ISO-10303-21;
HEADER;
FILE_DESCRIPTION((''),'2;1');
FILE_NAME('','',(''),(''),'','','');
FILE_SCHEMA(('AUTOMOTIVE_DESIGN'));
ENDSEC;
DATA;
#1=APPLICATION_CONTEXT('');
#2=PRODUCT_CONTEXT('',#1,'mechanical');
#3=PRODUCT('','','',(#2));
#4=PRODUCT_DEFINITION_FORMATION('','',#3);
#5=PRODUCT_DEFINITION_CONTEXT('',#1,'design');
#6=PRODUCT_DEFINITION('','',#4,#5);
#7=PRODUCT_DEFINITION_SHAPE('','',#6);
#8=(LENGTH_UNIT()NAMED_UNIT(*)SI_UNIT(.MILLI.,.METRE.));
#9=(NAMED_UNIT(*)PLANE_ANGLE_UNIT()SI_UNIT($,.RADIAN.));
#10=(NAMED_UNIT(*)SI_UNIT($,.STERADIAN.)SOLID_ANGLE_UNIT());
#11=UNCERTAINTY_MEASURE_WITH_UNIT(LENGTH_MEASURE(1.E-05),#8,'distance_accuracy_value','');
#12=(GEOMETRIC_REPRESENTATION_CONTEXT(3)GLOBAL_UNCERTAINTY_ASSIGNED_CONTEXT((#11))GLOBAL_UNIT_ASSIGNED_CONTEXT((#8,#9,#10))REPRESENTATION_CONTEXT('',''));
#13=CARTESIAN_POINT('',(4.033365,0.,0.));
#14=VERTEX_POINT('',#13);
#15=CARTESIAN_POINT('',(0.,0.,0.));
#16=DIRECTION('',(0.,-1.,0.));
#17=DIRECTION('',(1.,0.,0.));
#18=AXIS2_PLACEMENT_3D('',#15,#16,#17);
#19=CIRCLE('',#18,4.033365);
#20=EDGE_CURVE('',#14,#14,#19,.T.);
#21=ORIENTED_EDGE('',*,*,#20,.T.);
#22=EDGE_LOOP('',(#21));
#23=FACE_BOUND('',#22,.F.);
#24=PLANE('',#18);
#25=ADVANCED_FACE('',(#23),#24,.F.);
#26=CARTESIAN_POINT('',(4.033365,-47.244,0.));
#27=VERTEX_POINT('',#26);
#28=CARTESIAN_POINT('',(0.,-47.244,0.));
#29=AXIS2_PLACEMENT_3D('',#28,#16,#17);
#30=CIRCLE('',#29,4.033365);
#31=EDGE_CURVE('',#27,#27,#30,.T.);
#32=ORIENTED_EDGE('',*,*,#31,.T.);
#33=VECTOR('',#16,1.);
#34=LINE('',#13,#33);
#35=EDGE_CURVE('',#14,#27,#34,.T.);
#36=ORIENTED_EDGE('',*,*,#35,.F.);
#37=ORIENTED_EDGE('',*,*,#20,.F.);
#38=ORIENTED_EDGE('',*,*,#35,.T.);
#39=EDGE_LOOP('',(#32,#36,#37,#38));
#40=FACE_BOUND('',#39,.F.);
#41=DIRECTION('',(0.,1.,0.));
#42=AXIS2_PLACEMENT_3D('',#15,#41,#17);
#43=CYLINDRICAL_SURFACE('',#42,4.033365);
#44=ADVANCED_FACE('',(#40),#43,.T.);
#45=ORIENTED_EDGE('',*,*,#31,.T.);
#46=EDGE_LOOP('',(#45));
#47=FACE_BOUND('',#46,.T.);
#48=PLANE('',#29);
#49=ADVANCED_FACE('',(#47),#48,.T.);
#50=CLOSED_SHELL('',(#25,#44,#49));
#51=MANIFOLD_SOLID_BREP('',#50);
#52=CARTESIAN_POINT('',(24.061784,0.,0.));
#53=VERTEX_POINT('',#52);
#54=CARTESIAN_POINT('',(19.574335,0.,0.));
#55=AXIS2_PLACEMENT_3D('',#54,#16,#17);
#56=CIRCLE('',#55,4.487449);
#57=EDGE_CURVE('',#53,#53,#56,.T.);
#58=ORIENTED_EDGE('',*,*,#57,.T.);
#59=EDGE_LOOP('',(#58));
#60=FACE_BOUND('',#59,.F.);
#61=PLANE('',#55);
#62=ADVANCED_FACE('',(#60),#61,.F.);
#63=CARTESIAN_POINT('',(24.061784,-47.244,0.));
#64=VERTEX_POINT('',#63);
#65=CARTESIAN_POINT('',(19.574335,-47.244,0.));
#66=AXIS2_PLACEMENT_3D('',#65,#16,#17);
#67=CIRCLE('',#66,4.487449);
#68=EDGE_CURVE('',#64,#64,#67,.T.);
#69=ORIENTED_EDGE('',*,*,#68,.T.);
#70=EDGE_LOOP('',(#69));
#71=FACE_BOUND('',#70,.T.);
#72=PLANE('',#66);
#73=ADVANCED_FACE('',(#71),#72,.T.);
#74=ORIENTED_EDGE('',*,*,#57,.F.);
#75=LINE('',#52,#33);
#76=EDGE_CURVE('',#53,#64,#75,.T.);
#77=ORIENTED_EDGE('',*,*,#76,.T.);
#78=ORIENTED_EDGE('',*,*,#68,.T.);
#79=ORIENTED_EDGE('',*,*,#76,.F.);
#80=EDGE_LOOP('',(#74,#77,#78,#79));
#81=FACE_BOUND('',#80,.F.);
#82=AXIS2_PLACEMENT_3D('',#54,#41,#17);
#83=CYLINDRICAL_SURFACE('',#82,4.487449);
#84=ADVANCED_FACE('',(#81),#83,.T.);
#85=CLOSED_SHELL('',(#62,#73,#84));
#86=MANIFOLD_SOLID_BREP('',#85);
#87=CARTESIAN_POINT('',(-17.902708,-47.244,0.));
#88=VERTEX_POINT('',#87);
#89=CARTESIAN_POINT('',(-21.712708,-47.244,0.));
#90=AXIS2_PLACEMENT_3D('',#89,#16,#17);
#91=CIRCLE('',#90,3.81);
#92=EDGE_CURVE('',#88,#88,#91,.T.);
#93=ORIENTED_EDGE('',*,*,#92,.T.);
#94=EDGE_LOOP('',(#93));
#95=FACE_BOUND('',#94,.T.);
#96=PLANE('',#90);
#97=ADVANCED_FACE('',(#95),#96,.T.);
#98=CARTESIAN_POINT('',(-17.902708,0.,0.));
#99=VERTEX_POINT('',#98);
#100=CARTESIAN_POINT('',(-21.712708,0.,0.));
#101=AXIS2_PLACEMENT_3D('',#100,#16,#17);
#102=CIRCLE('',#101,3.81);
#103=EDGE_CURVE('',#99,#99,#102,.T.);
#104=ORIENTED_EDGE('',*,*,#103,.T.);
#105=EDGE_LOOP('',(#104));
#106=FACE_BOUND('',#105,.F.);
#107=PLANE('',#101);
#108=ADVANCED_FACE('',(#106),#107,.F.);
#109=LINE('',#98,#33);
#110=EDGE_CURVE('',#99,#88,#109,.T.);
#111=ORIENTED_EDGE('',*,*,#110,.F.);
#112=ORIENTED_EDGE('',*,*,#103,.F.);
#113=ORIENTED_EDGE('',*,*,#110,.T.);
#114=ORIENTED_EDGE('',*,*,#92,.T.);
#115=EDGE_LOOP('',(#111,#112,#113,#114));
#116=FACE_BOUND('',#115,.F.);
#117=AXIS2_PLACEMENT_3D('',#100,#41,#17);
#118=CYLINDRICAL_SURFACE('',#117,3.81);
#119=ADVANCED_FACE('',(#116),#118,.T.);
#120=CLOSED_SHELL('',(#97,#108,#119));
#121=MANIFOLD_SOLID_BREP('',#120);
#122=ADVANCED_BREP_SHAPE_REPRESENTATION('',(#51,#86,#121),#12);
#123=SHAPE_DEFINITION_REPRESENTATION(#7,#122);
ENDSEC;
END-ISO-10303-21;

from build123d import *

# Parameters (mm, degrees)
F0_R     = 4.033365
F0_R_2   = 3.81
F0_R_3   = 4.487449
F1_DEPTH = 47.244


with BuildPart() as f1:
    # F0 (on Front) → F1 (new body)
    with BuildSketch(Plane.XZ):
        Circle(F0_R)
        with Locations((-21.712708, 0)):
            Circle(F0_R_2)
        with Locations((19.574335, 0)):
            Circle(F0_R_3)
    extrude(amount=F1_DEPTH)


solid = f1.part
